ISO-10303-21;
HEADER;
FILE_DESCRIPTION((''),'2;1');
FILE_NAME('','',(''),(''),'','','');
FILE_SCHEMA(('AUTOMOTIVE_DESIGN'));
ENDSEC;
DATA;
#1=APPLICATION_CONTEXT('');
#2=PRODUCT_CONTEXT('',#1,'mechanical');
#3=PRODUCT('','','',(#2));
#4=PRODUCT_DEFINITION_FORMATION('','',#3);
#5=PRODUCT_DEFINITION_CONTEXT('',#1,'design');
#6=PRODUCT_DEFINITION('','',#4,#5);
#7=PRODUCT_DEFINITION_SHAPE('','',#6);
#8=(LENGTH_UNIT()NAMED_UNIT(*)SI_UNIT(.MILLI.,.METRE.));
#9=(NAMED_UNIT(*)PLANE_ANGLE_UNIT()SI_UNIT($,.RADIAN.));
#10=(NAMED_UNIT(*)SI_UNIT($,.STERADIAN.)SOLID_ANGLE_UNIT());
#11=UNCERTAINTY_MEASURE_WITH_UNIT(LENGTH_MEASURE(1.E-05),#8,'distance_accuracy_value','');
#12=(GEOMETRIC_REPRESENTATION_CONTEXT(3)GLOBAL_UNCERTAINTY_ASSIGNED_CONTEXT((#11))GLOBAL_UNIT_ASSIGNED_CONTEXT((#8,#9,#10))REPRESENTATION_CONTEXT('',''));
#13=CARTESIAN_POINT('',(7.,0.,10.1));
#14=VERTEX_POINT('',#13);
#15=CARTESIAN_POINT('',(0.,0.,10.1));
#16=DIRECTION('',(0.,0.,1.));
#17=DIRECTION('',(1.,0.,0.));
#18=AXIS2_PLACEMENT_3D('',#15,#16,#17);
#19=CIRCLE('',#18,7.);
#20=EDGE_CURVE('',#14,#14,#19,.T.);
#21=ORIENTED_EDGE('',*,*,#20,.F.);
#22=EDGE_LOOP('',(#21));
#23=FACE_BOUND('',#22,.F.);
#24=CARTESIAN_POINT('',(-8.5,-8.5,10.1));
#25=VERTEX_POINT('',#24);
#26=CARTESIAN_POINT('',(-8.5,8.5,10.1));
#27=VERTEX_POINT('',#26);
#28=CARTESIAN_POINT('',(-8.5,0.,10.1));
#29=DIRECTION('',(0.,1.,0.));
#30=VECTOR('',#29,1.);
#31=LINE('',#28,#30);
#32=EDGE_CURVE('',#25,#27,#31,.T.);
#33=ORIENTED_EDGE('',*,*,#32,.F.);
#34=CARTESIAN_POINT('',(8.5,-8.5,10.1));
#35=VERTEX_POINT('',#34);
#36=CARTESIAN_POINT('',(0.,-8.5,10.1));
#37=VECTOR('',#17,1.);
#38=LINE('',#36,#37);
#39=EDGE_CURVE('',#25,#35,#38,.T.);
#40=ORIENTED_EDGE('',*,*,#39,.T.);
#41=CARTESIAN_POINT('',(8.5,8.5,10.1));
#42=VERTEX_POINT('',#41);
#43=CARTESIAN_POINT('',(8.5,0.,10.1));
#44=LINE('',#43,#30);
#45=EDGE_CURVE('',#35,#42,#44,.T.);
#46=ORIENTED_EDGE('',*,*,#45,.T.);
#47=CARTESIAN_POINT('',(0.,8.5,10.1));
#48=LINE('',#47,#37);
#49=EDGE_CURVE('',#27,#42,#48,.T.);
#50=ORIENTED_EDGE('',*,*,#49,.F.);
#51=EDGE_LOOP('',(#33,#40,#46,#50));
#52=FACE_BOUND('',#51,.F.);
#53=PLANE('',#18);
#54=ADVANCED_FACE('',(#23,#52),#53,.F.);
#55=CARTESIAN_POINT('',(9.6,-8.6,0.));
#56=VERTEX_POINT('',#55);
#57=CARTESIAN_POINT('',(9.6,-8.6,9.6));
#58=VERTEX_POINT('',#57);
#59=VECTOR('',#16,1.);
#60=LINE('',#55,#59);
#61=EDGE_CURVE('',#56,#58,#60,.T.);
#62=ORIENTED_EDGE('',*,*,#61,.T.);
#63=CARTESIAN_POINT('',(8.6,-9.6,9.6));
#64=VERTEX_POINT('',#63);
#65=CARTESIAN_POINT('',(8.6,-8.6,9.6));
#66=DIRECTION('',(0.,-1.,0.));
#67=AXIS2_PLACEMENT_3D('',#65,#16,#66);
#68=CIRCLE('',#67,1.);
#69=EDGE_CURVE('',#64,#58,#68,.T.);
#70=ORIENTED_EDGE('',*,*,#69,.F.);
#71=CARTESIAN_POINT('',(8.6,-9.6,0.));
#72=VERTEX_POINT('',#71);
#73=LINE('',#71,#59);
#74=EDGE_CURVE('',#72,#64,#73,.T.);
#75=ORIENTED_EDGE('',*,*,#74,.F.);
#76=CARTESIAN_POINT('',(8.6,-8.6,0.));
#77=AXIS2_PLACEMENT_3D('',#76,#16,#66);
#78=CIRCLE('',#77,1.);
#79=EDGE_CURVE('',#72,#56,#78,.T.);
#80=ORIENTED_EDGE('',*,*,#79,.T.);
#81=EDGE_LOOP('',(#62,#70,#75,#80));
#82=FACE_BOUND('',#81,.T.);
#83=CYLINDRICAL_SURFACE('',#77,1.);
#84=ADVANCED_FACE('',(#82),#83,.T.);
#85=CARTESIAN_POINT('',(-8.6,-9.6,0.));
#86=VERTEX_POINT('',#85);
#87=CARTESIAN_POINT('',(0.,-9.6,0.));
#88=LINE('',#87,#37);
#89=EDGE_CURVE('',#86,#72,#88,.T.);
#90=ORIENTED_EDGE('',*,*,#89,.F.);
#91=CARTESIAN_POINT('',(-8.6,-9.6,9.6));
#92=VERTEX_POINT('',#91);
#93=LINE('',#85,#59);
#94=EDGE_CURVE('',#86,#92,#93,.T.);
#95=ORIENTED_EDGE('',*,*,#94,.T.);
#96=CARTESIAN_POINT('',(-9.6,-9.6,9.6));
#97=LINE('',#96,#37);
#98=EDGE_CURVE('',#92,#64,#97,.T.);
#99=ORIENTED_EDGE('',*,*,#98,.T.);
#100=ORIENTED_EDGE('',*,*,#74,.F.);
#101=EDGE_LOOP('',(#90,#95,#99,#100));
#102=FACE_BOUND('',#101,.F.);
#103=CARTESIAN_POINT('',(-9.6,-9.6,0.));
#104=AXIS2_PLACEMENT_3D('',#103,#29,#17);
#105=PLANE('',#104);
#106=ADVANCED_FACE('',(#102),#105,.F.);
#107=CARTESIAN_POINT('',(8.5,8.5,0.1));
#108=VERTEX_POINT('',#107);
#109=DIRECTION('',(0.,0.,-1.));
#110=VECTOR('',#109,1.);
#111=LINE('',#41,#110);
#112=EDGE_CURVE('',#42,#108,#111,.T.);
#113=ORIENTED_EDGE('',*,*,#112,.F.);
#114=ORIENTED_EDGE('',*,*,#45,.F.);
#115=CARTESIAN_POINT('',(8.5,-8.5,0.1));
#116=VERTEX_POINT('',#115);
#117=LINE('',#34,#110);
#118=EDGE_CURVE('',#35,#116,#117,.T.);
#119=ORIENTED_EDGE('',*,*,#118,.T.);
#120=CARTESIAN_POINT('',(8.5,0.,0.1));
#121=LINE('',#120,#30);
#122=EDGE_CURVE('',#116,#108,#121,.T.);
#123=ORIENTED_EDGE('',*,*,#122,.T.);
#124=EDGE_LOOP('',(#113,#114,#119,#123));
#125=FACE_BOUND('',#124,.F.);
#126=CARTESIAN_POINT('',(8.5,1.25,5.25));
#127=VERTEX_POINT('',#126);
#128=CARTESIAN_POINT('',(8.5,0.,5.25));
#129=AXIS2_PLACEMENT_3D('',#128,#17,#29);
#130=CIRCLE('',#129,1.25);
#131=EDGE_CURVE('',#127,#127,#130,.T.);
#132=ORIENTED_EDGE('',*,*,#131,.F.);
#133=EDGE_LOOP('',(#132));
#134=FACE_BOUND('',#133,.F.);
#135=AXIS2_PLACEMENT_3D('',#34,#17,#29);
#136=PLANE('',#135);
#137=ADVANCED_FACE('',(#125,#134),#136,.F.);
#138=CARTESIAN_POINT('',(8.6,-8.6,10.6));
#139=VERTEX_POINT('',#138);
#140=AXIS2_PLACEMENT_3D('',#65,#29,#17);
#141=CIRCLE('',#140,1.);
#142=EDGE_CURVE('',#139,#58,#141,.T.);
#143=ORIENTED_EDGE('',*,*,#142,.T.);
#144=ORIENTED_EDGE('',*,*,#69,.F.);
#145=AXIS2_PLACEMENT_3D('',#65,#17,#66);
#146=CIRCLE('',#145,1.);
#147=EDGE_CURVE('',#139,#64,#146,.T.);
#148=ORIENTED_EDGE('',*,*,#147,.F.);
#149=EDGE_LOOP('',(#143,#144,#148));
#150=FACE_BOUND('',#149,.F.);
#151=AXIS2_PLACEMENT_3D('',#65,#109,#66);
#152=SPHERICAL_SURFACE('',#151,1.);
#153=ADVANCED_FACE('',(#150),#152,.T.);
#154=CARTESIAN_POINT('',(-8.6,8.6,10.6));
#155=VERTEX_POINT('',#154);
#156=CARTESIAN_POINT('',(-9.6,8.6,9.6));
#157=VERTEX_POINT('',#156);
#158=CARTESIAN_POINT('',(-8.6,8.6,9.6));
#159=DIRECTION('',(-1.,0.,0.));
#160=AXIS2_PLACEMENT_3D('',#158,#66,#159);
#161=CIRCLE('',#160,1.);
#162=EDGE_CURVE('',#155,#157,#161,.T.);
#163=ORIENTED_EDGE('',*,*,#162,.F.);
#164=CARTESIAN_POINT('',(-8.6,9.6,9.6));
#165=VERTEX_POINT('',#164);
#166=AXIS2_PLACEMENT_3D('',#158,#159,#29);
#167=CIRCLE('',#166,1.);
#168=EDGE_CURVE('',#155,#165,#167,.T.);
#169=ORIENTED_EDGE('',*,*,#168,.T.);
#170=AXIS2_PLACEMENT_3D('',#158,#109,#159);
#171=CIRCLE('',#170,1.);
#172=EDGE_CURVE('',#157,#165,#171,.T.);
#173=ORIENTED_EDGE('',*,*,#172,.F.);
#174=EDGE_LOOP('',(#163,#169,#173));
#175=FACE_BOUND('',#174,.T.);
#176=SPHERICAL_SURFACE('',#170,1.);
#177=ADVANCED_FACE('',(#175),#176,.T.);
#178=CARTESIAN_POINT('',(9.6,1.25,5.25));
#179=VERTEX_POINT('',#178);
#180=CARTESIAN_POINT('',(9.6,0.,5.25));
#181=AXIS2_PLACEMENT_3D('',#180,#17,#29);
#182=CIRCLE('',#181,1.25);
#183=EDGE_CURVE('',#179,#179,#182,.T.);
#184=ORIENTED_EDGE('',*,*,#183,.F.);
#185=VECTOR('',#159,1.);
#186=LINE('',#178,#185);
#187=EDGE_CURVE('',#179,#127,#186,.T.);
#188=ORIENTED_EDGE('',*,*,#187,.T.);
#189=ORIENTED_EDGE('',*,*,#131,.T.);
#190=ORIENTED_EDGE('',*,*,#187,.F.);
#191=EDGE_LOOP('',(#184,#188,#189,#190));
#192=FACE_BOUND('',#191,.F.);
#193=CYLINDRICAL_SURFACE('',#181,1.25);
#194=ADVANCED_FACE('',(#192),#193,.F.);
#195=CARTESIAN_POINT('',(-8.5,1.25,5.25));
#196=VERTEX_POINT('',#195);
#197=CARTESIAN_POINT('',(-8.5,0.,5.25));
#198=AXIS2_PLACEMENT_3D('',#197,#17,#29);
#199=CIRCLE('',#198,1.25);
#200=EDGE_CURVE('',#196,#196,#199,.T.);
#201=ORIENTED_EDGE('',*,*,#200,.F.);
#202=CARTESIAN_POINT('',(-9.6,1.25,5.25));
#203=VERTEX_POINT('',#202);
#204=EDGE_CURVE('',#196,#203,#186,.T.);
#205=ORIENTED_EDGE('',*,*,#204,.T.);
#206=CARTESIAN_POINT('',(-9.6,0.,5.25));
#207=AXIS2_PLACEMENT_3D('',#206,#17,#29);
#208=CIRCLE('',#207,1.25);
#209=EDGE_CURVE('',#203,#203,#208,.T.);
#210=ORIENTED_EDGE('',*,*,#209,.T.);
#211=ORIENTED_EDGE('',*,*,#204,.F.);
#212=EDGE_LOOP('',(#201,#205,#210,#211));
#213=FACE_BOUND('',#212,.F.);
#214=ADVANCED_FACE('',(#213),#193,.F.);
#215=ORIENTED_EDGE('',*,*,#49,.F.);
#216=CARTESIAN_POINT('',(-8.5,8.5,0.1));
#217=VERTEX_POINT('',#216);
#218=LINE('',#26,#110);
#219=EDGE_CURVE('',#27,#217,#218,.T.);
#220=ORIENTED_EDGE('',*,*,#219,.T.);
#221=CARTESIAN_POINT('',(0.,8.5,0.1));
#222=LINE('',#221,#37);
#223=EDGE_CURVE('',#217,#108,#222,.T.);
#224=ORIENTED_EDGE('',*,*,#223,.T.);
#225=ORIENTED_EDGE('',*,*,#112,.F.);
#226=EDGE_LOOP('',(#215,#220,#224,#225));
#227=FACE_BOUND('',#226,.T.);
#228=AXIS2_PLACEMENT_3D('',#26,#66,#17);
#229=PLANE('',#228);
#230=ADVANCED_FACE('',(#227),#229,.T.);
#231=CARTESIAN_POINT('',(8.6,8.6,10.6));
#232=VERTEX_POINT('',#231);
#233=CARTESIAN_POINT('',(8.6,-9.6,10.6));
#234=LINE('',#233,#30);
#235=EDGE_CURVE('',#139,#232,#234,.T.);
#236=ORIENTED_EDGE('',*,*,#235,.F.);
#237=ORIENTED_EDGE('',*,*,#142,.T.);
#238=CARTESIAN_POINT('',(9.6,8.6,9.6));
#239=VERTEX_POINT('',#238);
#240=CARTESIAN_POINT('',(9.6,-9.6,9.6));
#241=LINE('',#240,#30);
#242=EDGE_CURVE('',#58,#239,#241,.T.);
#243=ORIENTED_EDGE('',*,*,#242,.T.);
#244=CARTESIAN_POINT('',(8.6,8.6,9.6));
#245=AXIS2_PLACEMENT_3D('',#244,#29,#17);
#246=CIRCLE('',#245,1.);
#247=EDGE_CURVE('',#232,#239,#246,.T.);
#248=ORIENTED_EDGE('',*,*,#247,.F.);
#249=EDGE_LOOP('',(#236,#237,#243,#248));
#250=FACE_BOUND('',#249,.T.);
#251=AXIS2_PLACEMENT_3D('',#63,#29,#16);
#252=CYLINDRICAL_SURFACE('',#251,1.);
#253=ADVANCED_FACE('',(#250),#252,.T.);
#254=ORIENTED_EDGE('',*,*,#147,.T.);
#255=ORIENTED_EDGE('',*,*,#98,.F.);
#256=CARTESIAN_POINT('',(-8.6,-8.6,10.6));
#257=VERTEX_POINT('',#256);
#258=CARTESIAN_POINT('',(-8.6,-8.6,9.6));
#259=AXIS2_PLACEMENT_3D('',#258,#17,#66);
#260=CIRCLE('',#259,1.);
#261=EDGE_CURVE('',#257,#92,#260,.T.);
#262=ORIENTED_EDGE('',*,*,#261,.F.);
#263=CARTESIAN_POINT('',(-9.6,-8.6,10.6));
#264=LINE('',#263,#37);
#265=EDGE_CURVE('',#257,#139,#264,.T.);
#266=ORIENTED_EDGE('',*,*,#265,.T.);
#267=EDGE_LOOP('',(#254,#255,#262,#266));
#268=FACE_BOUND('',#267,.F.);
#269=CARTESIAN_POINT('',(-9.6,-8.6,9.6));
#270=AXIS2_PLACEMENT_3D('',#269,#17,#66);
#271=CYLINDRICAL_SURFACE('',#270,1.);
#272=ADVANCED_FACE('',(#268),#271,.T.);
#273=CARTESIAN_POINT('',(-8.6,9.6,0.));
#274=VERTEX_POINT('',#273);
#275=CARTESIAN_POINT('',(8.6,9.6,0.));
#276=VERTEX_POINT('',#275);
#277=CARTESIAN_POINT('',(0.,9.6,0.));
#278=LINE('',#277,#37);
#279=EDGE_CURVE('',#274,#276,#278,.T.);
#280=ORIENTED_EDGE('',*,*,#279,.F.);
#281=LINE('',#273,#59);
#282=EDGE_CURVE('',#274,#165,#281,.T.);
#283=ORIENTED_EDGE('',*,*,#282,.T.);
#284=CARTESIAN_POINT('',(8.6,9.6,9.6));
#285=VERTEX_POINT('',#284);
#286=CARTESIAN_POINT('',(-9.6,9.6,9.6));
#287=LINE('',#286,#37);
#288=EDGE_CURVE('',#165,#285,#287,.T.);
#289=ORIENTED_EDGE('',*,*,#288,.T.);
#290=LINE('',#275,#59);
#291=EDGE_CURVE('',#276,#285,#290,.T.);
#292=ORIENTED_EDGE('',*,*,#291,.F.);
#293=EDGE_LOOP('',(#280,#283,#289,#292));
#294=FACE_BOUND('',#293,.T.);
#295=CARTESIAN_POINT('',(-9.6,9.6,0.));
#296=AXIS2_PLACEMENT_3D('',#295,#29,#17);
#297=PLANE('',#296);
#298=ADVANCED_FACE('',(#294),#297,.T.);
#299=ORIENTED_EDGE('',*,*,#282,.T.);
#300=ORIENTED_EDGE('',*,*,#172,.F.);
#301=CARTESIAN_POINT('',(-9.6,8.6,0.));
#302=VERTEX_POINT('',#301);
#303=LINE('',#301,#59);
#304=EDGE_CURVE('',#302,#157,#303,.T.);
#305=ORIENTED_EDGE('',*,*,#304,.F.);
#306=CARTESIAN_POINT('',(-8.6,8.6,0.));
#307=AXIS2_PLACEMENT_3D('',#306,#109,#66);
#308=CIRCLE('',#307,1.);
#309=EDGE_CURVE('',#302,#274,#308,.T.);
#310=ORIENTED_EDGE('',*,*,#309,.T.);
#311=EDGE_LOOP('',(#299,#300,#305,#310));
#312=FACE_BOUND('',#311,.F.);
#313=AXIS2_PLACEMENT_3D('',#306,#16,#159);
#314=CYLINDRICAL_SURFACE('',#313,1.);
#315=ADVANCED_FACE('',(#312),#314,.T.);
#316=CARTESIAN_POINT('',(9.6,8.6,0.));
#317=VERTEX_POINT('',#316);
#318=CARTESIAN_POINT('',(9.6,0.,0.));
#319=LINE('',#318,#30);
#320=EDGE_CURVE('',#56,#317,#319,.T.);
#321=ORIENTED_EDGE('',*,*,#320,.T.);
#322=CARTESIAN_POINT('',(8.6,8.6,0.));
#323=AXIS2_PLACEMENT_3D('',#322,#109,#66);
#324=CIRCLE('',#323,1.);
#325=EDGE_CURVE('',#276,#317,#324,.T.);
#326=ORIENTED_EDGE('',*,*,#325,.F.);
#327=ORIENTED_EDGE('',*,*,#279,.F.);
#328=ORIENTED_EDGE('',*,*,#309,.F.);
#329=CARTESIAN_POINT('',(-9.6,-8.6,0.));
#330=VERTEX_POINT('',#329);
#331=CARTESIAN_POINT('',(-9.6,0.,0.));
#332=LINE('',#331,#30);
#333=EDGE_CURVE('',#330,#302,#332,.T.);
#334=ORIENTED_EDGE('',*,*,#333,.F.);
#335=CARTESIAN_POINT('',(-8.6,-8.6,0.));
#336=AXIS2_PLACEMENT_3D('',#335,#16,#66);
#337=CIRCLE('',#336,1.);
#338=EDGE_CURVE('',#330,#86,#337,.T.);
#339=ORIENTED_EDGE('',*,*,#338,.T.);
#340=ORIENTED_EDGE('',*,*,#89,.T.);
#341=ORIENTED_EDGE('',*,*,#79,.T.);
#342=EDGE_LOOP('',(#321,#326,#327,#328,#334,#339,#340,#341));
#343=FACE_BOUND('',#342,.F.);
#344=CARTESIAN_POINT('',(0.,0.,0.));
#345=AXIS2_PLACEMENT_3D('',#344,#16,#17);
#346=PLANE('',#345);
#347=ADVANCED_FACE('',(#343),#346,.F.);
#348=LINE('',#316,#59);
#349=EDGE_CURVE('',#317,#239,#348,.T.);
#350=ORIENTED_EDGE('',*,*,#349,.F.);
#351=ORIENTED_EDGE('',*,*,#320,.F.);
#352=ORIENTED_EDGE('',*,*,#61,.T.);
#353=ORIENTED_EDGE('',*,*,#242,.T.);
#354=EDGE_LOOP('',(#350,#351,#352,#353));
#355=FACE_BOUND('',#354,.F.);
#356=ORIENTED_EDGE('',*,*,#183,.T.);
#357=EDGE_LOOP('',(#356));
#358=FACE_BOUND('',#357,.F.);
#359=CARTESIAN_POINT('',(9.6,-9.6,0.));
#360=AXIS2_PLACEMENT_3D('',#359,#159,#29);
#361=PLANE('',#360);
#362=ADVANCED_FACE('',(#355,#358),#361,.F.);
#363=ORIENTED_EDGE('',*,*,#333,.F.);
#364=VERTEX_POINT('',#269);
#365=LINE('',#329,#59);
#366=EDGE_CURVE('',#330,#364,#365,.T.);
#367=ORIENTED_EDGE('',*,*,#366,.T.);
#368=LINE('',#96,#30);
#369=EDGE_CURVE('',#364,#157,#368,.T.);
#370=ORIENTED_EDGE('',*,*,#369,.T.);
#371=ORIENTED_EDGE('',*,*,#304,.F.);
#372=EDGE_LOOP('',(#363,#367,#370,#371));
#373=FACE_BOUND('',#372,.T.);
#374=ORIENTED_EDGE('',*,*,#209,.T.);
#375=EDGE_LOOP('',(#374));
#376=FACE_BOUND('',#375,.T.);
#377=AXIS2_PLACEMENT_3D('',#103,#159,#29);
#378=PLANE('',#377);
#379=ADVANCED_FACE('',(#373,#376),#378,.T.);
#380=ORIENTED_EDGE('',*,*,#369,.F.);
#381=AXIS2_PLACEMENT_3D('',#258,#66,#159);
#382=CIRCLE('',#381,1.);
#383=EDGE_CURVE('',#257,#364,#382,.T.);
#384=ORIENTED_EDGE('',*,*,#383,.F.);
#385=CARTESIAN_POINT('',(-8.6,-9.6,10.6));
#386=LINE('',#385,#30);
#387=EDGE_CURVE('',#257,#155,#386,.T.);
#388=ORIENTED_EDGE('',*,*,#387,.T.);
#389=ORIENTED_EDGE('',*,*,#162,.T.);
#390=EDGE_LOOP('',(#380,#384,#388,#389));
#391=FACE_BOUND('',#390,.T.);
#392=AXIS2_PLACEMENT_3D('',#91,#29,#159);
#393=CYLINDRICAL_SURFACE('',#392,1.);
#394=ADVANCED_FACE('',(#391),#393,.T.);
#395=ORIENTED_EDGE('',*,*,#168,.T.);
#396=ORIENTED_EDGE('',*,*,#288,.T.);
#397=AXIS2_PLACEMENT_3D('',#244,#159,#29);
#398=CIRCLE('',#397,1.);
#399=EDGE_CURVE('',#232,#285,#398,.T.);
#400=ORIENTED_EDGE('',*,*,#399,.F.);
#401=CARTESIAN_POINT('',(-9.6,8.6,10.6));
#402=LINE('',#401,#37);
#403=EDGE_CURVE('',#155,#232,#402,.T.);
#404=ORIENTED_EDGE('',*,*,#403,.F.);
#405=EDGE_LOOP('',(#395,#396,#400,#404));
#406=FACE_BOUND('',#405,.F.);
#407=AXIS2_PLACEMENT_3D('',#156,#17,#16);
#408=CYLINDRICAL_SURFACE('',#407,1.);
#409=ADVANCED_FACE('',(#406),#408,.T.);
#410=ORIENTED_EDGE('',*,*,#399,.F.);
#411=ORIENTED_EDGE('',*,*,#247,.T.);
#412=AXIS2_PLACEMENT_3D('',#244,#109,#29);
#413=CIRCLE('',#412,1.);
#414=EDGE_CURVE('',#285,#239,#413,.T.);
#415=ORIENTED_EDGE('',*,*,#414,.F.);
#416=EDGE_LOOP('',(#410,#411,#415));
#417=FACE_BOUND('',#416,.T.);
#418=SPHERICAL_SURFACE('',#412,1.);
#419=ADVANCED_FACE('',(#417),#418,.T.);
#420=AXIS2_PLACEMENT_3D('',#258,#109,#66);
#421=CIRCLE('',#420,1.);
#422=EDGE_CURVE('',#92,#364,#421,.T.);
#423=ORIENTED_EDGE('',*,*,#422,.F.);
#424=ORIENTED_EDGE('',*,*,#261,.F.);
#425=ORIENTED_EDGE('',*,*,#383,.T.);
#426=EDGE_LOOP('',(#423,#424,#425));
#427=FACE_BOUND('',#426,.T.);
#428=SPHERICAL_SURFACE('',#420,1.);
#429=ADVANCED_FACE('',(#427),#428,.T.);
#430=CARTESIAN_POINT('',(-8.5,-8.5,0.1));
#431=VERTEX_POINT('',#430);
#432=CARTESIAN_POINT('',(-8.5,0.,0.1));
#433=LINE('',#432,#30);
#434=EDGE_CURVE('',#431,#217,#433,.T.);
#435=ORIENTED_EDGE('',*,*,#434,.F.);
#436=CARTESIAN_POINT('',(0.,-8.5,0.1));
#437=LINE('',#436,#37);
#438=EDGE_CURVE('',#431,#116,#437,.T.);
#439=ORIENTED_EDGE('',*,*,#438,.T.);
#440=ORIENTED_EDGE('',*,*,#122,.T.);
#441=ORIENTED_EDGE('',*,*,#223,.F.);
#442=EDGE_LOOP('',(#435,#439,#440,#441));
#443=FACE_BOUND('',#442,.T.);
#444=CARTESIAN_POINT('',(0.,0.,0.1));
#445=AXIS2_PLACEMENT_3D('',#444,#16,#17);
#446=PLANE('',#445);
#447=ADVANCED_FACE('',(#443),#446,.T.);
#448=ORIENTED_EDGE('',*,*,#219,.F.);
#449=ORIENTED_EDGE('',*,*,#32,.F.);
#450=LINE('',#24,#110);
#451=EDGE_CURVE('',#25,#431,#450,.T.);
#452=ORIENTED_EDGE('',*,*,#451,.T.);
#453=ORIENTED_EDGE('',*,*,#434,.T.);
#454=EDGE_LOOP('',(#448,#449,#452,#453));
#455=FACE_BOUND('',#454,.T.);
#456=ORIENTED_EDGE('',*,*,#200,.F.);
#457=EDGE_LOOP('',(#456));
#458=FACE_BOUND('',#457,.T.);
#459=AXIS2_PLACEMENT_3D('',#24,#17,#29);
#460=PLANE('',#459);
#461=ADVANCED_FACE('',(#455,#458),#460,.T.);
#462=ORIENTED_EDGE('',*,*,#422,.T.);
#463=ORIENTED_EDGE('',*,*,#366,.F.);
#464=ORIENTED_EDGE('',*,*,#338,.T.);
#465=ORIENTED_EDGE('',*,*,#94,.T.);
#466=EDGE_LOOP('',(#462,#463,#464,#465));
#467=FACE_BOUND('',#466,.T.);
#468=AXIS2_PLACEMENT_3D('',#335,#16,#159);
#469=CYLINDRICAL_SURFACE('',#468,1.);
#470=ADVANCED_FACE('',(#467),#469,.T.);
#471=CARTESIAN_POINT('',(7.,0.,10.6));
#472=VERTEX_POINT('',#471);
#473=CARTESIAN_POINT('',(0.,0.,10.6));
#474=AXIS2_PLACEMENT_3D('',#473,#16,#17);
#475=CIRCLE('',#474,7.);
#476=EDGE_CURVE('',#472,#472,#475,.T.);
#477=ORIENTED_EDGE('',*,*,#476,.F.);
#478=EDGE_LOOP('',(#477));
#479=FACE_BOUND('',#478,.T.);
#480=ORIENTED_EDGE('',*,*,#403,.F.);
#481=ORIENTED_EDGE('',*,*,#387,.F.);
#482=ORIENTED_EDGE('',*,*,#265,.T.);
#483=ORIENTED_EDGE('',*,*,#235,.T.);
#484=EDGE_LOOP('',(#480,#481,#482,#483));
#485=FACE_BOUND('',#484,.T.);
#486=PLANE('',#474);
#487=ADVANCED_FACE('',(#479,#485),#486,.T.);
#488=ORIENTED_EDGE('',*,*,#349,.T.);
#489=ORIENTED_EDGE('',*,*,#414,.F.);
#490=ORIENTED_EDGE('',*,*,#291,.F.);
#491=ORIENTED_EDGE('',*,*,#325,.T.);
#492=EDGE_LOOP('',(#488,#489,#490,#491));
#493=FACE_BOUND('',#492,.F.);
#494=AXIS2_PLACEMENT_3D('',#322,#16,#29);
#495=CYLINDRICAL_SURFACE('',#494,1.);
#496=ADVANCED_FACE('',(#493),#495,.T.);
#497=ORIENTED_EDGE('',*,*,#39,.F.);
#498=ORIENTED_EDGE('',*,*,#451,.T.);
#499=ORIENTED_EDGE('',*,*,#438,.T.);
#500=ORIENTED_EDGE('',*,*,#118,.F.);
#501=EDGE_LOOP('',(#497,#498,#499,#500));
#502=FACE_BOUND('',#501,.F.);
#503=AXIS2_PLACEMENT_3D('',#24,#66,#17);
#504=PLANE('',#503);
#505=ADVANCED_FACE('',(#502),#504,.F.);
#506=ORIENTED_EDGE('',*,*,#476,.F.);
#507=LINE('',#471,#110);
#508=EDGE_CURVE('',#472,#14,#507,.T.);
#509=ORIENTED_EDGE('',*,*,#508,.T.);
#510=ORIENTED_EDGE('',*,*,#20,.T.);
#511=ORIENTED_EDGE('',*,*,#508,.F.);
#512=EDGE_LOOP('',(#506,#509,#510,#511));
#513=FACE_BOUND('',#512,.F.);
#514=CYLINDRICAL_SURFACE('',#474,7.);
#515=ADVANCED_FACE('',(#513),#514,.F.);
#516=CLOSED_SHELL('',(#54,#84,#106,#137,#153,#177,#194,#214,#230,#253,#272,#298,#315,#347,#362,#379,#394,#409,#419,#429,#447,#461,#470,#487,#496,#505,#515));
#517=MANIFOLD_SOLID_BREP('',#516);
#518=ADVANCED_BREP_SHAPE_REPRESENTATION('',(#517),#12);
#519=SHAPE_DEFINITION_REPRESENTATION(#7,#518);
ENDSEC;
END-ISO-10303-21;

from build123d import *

# Parameters (mm, degrees)
SKETCH_W        = 19.2
SKETCH_H        = 19.2
PAD_DEPTH       = 10.6
SKETCH001_R     = 1.25
POCKET_DEPTH    = 19.201
SKETCH002_R     = 7
POCKET001_DEPTH = 0.5
SKETCH003_W     = 17
SKETCH003_H     = 17
POCKET002_DEPTH = 10
FILLET_R        = 1


with BuildPart() as part:
    # Sketch → Pad (new body)
    with BuildSketch(Plane.XY):
        Rectangle(SKETCH_W, SKETCH_H)
    extrude(amount=PAD_DEPTH)

    # Sketch001 (on Face2 of Pad) → Pocket (cut, through all)
    with BuildSketch(Plane.YZ.offset(9.6)):
        with Locations((0, 5.25)):
            Circle(SKETCH001_R)
    extrude(amount=-POCKET_DEPTH, mode=Mode.SUBTRACT)

    # Sketch002 (on Face5 of Pocket) → Pocket001 (cut)
    with BuildSketch(Plane.XY.offset(10.6)):
        Circle(SKETCH002_R)
    extrude(amount=-POCKET001_DEPTH, mode=Mode.SUBTRACT)

    # Sketch003 (on Face9 of Pocket001) → Pocket002 (cut)
    with BuildSketch(Plane.XY.offset(10.1)):
        Rectangle(SKETCH003_W, SKETCH003_H)
    extrude(amount=-POCKET002_DEPTH, mode=Mode.SUBTRACT)

    # Fillet
    fillet_edges = [part.edges().sort_by_distance(p)[0] for p in [
        (9.6, -9.6, 5.3),
        (-9.6, -9.6, 5.3),
        (9.6, 9.6, 5.3),
        (-9.6, 9.6, 5.3),
        (0, -9.6, 10.6),
        (-9.6, 0, 10.6),
        (0, 9.6, 10.6),
        (9.6, 0, 10.6),
    ]]
    fillet(fillet_edges, radius=FILLET_R)


solid = part.part
